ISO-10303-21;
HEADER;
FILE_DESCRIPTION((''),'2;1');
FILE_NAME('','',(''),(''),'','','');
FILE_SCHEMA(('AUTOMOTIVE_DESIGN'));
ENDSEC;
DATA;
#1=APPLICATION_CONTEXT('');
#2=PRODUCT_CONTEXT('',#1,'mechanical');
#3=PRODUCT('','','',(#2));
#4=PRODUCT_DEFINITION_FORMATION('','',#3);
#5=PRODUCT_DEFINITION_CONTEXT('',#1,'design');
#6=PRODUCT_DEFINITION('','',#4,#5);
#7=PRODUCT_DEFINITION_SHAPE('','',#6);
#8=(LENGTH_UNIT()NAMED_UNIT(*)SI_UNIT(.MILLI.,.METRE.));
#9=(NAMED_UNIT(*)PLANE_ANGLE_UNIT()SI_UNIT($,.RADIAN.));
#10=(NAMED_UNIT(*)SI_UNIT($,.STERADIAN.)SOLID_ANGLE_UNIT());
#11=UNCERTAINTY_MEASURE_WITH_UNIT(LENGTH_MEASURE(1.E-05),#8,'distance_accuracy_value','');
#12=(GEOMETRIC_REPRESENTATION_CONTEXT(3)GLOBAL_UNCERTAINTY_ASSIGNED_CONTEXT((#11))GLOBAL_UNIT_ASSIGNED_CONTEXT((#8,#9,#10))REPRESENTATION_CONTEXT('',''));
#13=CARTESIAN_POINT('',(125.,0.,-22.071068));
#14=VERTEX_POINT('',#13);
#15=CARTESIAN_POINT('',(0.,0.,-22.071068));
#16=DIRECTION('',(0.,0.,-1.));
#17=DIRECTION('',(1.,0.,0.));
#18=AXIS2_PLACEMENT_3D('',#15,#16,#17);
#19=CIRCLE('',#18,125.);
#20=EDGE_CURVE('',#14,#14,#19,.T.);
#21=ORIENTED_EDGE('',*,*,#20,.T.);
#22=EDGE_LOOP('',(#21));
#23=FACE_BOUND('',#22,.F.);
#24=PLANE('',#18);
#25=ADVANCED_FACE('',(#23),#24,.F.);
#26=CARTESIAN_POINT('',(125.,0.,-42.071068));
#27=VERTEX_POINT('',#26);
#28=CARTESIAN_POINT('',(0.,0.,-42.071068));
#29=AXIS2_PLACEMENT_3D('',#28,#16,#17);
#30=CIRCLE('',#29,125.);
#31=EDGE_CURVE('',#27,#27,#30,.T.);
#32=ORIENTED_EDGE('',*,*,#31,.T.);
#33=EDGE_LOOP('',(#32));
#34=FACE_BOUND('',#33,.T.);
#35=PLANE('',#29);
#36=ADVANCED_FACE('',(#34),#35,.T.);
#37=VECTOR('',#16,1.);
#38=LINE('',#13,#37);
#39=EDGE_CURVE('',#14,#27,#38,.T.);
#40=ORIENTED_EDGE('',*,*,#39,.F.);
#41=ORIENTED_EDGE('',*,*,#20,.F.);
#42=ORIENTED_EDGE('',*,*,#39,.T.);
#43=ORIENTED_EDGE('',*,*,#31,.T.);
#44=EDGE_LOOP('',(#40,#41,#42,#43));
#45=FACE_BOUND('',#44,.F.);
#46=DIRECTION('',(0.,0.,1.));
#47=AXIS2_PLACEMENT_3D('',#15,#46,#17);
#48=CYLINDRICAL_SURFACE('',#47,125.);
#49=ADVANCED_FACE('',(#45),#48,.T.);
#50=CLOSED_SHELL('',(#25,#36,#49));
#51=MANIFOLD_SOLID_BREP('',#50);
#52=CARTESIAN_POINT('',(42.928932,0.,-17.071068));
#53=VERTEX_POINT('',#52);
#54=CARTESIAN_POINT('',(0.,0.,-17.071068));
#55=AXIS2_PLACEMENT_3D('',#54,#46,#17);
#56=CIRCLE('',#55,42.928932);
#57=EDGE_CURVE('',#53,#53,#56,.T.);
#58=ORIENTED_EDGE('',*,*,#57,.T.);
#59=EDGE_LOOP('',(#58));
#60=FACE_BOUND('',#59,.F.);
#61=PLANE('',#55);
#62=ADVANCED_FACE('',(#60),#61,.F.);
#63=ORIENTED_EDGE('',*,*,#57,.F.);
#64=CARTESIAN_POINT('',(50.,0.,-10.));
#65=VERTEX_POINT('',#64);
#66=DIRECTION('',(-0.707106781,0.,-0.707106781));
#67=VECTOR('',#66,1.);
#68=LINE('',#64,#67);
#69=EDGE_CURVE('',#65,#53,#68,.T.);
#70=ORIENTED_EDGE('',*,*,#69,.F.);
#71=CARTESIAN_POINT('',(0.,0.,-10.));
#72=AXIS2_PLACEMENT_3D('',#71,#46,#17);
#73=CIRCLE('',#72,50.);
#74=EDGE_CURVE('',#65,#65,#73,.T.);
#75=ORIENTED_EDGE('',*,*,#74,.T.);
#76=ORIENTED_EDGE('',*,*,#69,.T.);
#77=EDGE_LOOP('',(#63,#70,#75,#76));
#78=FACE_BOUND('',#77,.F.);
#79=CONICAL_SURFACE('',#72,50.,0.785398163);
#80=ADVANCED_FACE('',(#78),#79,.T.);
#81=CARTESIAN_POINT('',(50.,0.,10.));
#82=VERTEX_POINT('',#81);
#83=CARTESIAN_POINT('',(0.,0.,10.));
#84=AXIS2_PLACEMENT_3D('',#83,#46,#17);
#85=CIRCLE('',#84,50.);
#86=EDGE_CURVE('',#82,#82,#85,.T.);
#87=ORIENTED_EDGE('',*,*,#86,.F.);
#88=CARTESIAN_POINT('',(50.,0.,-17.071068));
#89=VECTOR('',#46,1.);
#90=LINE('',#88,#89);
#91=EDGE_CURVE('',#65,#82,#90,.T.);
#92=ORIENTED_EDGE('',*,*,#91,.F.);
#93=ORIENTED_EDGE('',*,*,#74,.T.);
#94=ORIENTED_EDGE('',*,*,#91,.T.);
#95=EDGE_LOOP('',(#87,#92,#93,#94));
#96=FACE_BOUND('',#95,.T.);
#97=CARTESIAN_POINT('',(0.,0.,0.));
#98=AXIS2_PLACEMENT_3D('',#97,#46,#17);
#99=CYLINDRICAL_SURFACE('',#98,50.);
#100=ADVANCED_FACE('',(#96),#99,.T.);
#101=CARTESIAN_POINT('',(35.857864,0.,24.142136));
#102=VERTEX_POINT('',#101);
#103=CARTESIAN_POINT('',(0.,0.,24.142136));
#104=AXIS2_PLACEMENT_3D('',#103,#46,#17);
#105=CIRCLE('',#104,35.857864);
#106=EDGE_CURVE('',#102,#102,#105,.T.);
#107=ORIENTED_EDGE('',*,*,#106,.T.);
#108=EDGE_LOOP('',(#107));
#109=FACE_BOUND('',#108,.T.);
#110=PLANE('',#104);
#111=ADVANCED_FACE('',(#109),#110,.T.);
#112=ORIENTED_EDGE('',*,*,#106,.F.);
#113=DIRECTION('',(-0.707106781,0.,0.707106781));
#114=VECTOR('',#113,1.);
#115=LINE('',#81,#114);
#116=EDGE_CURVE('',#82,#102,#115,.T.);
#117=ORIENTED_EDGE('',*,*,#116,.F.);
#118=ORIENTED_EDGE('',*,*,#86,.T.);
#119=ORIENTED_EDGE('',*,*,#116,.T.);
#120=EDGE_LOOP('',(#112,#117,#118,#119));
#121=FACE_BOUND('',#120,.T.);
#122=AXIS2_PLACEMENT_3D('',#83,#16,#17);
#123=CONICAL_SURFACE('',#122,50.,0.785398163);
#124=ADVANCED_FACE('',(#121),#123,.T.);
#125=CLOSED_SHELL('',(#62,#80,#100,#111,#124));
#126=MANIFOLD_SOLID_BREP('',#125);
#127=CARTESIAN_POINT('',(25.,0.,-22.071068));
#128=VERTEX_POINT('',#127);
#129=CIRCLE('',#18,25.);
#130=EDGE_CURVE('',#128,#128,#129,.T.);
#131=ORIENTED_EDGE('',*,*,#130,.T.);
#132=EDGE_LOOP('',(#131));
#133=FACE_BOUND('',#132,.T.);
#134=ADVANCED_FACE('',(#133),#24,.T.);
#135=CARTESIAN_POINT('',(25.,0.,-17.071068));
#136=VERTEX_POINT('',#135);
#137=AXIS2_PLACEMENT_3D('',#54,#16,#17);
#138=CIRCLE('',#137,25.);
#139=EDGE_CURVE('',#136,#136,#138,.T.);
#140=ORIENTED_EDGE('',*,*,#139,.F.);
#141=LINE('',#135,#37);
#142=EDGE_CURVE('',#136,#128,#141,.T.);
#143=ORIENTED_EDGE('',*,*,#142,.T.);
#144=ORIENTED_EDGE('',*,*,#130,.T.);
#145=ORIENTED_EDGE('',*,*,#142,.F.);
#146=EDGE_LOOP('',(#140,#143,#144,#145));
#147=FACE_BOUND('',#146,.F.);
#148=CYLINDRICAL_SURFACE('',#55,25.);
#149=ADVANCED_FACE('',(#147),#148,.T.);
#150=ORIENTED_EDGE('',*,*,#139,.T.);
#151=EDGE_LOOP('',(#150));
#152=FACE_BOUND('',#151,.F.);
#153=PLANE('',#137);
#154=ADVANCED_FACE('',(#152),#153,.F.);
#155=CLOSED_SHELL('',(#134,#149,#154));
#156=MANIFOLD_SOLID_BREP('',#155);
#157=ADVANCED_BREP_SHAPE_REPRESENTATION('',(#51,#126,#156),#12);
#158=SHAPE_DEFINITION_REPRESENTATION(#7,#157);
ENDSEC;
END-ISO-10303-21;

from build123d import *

# Parameters (mm, degrees)
F0_R          = 50
F1_DEPTH      = 24.142136
F1_DEPTH_BACK = 17.071068
F2_SIZE       = 14.142136
F3_SIZE       = 7.071068
F4_R          = 25
F5_DEPTH      = 5
F6_R          = 125
F6_R_2        = 25
F7_DEPTH      = 20


with BuildPart() as f1:
    # F0 (on Top) → F1 (new body, two sides)
    with BuildSketch(Plane.XY) as f1_sk:
        Circle(F0_R)
    extrude(amount=F1_DEPTH)
    extrude(f1_sk.sketch, amount=-F1_DEPTH_BACK)

    # F2
    f2_edges = [f1.edges().sort_by_distance(p)[0] for p in [
        (-50, 0, 24.142136),
    ]]
    chamfer(f2_edges, length=F2_SIZE)

    # F3
    f3_edges = [f1.edges().sort_by_distance(p)[0] for p in [
        (-50, 0, -17.071068),
    ]]
    chamfer(f3_edges, length=F3_SIZE)


with BuildPart() as f5:
    # F4 (on face) → F5 (new body)
    with BuildSketch(Plane(origin=(0, 0, -17.071068), x_dir=(1, 0, 0), z_dir=(0, 0, -1))):
        Circle(F4_R)
    extrude(amount=F5_DEPTH)


with BuildPart() as f7:
    # F6 (on face) → F7 (new body)
    with BuildSketch(Plane(origin=(0, 0, -22.071068), x_dir=(1, 0, 0), z_dir=(0, 0, -1))):
        Circle(F6_R)
        Circle(F6_R_2, mode=Mode.SUBTRACT)
        Circle(F6_R_2)
    extrude(amount=F7_DEPTH)


solid = Compound([f1.part, f5.part, f7.part])
